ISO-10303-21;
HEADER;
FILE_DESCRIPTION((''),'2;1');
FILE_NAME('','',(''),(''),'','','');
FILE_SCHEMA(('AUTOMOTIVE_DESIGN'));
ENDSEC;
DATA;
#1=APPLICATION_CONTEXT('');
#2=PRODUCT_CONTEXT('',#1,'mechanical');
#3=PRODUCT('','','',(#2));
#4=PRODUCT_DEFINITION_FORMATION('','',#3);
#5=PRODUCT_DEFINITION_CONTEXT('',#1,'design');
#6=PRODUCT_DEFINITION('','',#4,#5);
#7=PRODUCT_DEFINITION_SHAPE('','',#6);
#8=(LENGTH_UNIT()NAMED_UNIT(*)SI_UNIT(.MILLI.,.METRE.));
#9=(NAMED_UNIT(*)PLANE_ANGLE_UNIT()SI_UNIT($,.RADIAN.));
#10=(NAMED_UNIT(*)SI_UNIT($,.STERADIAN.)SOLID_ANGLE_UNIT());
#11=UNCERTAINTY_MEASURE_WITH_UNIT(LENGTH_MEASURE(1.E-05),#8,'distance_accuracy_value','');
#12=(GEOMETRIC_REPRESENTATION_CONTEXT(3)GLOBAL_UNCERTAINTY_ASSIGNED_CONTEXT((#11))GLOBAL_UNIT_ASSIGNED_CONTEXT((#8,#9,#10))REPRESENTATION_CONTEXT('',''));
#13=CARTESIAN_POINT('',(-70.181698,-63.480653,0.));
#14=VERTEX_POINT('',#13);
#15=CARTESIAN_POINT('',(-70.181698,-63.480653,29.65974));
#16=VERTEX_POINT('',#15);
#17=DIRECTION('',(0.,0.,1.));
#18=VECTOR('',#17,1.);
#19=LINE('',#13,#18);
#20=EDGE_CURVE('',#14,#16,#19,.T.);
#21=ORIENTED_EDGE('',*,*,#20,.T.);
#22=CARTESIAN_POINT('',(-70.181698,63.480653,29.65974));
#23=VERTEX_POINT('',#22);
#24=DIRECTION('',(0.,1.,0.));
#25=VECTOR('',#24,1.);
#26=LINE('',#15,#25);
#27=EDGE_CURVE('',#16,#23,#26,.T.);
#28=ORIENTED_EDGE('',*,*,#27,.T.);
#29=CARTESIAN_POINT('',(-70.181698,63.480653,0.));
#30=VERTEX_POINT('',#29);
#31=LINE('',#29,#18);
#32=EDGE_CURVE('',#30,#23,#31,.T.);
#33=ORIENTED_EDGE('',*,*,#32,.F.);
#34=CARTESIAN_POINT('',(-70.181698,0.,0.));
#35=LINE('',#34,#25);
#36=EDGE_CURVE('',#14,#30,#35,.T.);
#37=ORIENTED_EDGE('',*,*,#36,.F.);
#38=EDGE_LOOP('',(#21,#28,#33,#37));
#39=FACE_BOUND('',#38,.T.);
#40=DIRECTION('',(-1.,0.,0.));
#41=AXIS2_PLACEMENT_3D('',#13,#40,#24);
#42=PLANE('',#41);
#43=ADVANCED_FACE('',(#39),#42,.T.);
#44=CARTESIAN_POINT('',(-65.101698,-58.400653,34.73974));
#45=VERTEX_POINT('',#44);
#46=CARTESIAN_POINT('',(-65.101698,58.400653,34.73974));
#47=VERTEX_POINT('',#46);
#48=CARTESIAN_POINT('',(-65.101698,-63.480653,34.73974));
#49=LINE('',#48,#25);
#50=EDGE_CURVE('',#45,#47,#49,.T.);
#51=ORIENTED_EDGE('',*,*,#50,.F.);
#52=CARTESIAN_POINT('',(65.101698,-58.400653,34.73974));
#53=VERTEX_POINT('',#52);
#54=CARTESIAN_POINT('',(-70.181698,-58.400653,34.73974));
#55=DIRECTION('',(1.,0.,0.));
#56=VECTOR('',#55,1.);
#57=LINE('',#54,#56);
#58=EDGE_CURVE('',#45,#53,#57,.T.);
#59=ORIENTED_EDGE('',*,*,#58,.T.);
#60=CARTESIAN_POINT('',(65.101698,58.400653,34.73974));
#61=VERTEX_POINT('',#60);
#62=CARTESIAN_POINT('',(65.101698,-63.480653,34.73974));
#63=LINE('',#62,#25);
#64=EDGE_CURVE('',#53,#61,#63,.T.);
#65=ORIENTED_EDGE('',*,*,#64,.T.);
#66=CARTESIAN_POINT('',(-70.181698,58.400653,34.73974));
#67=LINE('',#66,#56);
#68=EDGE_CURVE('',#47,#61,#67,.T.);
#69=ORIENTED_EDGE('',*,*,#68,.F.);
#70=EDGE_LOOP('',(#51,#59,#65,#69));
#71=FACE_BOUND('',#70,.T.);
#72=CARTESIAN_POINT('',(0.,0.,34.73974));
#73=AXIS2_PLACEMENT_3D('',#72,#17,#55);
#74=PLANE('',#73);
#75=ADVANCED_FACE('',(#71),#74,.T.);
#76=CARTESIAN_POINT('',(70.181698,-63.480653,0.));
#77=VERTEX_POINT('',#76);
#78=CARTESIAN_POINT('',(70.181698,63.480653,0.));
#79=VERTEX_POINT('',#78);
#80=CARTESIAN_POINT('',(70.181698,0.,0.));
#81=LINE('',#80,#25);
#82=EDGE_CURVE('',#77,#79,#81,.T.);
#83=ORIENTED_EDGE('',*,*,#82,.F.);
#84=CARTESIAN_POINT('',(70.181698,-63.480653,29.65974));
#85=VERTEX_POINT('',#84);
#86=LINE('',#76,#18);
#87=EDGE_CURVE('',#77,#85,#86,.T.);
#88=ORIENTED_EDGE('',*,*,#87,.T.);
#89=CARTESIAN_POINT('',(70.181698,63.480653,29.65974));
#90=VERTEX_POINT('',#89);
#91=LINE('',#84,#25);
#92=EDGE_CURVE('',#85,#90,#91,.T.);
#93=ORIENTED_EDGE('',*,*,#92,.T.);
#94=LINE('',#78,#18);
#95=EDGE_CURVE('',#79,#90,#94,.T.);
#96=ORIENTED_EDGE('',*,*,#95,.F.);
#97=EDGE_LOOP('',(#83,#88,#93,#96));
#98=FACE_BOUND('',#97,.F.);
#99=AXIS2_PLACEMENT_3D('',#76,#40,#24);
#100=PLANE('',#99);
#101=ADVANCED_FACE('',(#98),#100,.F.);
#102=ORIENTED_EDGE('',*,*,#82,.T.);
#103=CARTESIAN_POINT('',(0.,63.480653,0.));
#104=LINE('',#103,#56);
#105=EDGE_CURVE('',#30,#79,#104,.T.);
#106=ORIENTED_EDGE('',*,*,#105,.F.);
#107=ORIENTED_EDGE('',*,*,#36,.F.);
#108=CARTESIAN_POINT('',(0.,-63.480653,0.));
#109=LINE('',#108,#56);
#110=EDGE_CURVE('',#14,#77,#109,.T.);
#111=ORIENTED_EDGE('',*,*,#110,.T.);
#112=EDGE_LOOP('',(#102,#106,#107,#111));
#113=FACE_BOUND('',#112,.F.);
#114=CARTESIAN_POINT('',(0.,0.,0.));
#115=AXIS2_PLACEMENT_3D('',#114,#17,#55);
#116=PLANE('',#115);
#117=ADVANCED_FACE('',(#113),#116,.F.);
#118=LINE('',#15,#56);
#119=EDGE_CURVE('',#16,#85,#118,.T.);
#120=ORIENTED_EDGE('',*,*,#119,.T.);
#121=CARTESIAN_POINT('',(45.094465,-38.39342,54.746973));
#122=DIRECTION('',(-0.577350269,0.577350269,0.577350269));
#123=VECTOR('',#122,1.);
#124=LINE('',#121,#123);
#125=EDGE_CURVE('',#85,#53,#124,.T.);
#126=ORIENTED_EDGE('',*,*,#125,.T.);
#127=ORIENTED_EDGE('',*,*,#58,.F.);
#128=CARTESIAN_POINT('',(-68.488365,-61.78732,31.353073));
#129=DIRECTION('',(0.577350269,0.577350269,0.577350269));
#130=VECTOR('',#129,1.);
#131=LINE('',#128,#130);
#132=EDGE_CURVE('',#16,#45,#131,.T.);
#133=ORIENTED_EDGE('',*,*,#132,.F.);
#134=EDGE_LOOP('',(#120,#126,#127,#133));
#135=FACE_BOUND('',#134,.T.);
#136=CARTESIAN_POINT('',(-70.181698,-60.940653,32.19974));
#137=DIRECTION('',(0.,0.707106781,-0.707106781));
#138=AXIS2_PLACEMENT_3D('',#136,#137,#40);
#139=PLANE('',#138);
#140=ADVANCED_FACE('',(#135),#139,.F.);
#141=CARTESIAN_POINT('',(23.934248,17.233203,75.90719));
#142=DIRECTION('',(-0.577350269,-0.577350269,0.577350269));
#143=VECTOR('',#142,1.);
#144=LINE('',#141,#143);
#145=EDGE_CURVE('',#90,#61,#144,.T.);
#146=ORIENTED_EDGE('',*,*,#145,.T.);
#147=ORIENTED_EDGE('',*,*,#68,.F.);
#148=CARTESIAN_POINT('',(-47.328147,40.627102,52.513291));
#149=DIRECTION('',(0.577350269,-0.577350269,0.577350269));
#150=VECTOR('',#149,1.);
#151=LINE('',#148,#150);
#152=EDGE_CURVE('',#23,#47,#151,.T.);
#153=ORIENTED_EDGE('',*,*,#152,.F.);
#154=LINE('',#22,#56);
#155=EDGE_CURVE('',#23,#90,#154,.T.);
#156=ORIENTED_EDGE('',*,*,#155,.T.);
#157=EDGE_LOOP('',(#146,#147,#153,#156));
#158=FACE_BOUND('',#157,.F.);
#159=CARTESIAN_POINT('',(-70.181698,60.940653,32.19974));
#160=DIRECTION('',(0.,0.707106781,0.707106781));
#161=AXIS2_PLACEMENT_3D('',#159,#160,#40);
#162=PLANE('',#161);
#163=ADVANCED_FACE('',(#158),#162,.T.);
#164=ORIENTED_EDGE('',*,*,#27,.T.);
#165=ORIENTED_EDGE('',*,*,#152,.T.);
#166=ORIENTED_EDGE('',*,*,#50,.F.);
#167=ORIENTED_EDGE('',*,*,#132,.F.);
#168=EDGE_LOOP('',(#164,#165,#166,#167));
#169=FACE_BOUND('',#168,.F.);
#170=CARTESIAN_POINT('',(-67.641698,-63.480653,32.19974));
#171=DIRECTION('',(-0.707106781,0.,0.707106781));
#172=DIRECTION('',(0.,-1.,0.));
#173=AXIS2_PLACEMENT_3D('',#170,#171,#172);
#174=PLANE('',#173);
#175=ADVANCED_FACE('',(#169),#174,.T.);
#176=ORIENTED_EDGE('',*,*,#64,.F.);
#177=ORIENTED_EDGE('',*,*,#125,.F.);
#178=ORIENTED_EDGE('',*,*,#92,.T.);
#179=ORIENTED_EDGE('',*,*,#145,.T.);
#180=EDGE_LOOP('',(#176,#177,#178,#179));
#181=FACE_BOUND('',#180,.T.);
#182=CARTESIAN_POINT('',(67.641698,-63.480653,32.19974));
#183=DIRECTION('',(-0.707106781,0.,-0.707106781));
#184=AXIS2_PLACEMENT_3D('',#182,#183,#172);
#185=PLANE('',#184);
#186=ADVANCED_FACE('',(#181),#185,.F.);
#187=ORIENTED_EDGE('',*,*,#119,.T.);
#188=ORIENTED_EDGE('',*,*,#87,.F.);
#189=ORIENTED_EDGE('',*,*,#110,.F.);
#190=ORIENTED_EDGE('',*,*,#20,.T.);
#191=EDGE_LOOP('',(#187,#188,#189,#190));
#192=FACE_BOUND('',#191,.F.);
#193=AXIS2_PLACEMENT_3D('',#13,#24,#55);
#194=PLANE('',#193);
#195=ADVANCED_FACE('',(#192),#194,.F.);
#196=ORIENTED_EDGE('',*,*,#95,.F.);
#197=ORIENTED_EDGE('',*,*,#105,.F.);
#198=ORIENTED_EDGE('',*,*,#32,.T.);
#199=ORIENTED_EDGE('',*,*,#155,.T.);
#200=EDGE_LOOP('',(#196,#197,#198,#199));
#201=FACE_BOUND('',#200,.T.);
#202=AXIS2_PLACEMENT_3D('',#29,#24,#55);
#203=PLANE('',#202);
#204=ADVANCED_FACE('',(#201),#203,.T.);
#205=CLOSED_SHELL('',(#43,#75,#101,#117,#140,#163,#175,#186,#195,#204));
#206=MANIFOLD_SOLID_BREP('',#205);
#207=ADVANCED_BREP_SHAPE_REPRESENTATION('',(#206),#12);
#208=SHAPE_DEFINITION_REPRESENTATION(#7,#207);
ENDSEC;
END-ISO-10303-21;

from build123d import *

# Parameters (mm, degrees)
F0_W     = 140.363396
F0_H     = 126.961306
F1_DEPTH = 34.73974
F2_SIZE  = 5.08


with BuildPart() as f1:
    # F0 (on Top) → F1 (new body)
    with BuildSketch(Plane.XY):
        Rectangle(F0_W, F0_H)
    extrude(amount=F1_DEPTH)

    # F2
    f2_edges = [f1.edges().sort_by_distance(p)[0] for p in [
        (0, -63.480653, 34.73974),
        (-70.181698, 0, 34.73974),
        (0, 63.480653, 34.73974),
        (70.181698, 0, 34.73974),
    ]]
    chamfer(f2_edges, length=F2_SIZE)


solid = f1.part
